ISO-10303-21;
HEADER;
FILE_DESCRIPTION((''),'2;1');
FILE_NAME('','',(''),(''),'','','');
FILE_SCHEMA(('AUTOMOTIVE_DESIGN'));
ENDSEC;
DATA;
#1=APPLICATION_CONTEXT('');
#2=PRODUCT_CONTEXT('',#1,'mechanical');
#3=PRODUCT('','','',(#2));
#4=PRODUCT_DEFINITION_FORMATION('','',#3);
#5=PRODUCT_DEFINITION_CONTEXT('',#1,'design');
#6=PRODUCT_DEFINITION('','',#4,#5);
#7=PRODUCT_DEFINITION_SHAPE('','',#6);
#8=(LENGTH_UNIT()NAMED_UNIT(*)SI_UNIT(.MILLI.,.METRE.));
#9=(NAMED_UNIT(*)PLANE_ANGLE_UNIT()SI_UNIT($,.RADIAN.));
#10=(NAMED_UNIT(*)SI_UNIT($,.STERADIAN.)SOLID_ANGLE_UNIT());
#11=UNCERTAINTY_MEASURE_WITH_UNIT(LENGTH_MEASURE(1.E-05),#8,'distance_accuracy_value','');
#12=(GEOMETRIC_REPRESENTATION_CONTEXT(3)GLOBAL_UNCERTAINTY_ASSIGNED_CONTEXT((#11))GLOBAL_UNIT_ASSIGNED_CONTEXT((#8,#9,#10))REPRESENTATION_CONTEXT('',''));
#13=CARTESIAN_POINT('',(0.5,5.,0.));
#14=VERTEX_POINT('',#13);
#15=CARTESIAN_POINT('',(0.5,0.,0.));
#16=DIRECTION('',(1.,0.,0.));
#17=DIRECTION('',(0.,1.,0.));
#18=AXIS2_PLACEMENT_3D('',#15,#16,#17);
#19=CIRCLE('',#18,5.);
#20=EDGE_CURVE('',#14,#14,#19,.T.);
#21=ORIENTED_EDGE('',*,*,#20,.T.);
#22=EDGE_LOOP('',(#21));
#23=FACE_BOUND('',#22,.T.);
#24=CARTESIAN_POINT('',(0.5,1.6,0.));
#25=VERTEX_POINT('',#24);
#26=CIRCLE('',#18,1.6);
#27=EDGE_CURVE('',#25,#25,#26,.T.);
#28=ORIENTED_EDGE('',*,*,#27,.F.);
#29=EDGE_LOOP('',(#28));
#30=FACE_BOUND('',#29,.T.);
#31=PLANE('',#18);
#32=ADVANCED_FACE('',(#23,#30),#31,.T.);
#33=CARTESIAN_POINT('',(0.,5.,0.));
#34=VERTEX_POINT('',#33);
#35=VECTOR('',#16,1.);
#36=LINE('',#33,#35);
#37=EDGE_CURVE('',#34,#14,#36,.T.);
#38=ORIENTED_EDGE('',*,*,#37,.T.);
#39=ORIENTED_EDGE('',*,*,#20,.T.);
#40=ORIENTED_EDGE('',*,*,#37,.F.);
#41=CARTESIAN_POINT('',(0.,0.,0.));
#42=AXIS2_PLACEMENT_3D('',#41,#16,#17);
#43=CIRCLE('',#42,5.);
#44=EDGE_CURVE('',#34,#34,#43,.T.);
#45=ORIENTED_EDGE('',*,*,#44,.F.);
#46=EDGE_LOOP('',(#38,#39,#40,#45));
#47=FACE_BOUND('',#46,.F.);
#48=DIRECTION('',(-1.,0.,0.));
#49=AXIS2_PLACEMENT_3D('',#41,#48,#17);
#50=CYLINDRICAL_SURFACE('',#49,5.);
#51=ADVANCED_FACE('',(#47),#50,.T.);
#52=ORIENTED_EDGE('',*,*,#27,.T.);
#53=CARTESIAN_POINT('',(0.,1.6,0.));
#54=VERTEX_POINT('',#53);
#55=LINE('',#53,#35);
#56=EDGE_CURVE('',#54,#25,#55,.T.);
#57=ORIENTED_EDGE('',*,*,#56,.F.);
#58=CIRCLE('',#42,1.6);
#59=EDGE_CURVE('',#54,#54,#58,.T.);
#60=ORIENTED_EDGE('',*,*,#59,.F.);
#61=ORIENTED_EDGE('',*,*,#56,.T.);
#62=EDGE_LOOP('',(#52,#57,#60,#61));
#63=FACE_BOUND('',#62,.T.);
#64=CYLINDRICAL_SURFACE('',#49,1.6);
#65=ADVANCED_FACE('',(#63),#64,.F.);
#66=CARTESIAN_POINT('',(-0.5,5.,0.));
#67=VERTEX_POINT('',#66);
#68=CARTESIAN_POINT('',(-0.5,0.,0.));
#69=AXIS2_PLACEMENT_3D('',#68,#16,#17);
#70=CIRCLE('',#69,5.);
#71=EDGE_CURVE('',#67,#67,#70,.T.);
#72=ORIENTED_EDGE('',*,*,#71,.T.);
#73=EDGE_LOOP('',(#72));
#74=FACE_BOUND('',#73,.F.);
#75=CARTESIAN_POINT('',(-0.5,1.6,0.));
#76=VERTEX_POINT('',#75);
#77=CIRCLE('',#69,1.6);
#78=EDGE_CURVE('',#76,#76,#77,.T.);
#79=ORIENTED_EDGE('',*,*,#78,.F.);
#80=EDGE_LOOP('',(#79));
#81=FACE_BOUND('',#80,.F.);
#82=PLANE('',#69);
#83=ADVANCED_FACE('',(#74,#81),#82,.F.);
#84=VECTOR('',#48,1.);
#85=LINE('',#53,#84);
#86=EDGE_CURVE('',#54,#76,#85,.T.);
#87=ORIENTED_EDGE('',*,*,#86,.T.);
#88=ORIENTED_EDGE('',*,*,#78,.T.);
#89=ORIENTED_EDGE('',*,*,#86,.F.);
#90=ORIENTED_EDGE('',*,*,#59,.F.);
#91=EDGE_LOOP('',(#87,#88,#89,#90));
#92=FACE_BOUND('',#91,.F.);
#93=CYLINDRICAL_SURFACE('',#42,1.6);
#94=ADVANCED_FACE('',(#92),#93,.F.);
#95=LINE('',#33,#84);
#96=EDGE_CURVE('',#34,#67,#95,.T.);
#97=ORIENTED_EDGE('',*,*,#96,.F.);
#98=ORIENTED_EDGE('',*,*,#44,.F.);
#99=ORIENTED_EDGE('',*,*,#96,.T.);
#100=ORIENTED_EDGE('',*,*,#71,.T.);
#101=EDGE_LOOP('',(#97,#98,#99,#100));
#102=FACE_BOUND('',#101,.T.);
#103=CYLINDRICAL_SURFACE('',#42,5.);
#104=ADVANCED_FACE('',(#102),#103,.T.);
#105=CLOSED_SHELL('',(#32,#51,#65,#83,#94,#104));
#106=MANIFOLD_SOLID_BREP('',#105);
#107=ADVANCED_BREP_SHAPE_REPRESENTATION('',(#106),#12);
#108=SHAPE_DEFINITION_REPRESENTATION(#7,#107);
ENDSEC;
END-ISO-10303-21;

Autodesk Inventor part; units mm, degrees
ref_plane "YZ Plane" through (0, 0, 0) normal (1, 0, 0) x (0, 1, 0)
ref_plane "XZ Plane" through (0, 0, 0) normal (0, 1, 0) x (-1, 0, 0)
ref_plane "XY Plane" through (0, 0, 0) normal (0, 0, 1) x (1, 0, 0)
sketch "スケッチ1" plane through (0, 0, 0) normal (1, 0, 0) x (0, 1, 0)
  circle A0 centre (0, 0) radius 1.6
  circle A1 centre (0, 0) radius 5
  dimension "d0" = 10
  dimension "d1" = 3.2
extrude "押し出し1" add sketch "スケッチ1" along normal mid plane 1
properties part number "TT-0310-10"
